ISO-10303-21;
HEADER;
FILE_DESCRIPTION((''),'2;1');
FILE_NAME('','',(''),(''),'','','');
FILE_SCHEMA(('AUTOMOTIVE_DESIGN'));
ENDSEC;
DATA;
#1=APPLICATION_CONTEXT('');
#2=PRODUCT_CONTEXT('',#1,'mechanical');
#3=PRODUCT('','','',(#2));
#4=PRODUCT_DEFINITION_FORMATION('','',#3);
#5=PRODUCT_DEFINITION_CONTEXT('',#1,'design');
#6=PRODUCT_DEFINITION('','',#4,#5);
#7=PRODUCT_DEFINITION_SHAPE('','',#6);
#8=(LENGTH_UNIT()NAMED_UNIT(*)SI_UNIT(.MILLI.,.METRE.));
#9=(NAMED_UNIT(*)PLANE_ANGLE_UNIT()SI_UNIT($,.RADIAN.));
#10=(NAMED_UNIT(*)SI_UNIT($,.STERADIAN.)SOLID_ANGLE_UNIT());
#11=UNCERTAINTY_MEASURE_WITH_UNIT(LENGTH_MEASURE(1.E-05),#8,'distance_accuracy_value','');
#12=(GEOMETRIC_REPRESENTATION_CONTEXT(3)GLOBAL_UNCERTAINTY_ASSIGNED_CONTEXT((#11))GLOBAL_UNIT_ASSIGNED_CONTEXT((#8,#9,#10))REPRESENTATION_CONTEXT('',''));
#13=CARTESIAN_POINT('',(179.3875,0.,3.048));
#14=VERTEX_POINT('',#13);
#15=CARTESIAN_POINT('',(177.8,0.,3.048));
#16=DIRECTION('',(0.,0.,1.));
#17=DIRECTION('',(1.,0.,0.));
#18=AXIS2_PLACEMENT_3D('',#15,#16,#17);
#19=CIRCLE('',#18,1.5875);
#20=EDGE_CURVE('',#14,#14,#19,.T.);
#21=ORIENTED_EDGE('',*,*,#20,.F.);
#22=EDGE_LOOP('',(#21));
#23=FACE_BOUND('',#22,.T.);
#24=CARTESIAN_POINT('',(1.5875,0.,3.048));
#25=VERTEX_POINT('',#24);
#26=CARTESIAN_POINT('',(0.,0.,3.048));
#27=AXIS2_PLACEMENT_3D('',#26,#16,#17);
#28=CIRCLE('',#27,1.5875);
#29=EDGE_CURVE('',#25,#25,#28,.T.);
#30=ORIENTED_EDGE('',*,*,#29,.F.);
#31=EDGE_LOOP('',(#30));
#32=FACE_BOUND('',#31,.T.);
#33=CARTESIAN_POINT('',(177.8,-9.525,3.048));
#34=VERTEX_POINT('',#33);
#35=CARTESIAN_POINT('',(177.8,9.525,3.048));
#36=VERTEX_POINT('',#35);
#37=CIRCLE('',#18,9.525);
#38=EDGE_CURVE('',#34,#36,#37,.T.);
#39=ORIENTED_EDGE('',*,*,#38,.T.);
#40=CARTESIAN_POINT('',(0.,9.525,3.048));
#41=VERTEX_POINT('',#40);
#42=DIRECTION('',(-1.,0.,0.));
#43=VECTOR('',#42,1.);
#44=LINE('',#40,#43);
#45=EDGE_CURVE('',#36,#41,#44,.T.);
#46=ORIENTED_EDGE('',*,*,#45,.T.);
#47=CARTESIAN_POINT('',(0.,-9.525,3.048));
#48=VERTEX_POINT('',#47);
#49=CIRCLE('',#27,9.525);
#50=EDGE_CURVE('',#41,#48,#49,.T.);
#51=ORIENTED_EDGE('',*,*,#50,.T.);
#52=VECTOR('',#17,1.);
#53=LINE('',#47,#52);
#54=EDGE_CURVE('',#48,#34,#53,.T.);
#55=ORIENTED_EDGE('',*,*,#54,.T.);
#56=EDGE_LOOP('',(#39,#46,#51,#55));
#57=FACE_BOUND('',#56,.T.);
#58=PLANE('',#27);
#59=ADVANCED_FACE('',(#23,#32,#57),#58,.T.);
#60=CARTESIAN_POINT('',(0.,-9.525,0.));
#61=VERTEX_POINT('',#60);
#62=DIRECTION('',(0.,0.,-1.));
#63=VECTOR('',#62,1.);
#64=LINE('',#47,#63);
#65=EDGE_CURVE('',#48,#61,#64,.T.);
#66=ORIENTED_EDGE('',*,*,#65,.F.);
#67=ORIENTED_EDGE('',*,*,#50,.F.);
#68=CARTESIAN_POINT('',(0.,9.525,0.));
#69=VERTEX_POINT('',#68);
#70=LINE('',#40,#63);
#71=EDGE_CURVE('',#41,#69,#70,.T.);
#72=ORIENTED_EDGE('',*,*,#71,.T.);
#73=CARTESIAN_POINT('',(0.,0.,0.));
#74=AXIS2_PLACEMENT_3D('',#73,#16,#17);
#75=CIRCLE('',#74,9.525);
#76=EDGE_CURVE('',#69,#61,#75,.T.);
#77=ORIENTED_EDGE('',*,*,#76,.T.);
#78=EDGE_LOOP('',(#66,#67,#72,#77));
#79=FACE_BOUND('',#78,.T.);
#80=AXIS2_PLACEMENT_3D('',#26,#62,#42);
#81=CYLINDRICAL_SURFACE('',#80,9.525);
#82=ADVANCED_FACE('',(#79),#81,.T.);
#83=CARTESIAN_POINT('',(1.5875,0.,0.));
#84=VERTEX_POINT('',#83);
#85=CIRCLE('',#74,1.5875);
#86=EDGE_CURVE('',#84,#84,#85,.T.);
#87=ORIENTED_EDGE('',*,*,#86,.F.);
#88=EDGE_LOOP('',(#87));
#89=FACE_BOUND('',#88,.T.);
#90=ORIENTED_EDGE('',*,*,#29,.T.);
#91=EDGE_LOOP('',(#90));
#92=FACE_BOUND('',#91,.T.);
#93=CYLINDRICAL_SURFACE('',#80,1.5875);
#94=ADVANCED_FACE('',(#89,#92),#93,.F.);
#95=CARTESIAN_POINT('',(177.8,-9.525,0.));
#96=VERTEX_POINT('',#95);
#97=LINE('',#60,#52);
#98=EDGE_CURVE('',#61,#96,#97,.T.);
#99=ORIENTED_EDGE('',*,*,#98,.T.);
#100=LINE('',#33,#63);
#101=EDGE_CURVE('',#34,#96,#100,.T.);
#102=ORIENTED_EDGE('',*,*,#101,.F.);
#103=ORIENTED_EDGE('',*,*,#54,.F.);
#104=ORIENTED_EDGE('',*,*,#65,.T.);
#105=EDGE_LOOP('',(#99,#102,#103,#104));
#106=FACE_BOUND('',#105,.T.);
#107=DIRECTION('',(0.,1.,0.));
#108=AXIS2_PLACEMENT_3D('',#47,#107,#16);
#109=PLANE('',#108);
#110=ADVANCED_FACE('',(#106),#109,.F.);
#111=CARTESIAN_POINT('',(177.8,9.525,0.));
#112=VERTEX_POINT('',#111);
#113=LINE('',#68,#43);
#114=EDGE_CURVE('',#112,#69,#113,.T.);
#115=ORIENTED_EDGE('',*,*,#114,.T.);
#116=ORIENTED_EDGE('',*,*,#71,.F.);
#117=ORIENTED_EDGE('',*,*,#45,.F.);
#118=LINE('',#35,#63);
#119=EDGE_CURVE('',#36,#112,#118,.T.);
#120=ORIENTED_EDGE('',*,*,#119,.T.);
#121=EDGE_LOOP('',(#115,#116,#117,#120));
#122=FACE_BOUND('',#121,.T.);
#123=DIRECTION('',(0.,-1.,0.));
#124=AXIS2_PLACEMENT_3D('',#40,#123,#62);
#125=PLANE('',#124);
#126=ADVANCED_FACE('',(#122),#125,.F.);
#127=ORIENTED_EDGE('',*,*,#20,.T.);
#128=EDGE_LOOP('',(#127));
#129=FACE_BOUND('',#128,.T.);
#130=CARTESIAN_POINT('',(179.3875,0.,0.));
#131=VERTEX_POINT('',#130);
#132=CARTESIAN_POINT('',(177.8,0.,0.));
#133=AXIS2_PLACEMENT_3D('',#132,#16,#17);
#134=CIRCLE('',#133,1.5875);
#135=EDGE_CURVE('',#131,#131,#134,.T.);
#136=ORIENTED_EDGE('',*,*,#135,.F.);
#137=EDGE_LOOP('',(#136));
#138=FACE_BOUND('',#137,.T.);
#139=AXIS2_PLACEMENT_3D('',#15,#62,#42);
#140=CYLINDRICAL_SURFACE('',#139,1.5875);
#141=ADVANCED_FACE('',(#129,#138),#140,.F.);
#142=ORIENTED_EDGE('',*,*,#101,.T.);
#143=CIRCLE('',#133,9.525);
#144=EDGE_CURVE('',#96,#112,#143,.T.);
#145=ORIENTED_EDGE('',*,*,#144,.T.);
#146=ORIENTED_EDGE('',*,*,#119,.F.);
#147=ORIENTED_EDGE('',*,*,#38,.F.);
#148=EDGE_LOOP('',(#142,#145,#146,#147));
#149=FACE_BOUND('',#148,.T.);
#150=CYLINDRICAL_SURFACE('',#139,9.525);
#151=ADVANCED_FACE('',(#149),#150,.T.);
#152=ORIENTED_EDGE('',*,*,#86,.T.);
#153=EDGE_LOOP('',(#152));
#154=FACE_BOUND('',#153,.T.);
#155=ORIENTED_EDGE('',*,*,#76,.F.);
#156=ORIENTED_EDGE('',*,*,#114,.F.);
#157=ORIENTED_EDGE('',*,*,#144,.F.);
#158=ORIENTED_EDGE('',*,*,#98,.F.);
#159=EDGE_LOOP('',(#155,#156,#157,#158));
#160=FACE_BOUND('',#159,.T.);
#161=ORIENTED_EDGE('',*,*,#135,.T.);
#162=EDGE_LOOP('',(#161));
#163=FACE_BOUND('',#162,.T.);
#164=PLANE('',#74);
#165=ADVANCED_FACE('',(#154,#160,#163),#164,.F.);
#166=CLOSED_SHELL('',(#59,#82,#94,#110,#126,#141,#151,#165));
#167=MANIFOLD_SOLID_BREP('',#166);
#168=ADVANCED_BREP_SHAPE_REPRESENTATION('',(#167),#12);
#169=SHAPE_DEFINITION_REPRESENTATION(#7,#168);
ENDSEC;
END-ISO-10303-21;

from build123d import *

# Parameters (mm, degrees)
SKETCH1_R           = 1.5875
BOSS_EXTRUDE1_DEPTH = 3.048


with BuildPart() as part:
    # Sketch1 → Boss-Extrude1 (new body)
    with BuildSketch(Plane.XY):
        with BuildLine():
            Line((0, 9.525), (177.8, 9.525))
            ThreePointArc((177.8, 9.525), (187.325, 0), (177.8, -9.525))
            Line((177.8, -9.525), (0, -9.525))
            ThreePointArc((0, -9.525), (-9.525, 0), (0, 9.525))
        make_face()
        Circle(SKETCH1_R, mode=Mode.SUBTRACT)
        with Locations((177.8, 0)):
            Circle(SKETCH1_R, mode=Mode.SUBTRACT)
    extrude(amount=BOSS_EXTRUDE1_DEPTH)


solid = part.part
